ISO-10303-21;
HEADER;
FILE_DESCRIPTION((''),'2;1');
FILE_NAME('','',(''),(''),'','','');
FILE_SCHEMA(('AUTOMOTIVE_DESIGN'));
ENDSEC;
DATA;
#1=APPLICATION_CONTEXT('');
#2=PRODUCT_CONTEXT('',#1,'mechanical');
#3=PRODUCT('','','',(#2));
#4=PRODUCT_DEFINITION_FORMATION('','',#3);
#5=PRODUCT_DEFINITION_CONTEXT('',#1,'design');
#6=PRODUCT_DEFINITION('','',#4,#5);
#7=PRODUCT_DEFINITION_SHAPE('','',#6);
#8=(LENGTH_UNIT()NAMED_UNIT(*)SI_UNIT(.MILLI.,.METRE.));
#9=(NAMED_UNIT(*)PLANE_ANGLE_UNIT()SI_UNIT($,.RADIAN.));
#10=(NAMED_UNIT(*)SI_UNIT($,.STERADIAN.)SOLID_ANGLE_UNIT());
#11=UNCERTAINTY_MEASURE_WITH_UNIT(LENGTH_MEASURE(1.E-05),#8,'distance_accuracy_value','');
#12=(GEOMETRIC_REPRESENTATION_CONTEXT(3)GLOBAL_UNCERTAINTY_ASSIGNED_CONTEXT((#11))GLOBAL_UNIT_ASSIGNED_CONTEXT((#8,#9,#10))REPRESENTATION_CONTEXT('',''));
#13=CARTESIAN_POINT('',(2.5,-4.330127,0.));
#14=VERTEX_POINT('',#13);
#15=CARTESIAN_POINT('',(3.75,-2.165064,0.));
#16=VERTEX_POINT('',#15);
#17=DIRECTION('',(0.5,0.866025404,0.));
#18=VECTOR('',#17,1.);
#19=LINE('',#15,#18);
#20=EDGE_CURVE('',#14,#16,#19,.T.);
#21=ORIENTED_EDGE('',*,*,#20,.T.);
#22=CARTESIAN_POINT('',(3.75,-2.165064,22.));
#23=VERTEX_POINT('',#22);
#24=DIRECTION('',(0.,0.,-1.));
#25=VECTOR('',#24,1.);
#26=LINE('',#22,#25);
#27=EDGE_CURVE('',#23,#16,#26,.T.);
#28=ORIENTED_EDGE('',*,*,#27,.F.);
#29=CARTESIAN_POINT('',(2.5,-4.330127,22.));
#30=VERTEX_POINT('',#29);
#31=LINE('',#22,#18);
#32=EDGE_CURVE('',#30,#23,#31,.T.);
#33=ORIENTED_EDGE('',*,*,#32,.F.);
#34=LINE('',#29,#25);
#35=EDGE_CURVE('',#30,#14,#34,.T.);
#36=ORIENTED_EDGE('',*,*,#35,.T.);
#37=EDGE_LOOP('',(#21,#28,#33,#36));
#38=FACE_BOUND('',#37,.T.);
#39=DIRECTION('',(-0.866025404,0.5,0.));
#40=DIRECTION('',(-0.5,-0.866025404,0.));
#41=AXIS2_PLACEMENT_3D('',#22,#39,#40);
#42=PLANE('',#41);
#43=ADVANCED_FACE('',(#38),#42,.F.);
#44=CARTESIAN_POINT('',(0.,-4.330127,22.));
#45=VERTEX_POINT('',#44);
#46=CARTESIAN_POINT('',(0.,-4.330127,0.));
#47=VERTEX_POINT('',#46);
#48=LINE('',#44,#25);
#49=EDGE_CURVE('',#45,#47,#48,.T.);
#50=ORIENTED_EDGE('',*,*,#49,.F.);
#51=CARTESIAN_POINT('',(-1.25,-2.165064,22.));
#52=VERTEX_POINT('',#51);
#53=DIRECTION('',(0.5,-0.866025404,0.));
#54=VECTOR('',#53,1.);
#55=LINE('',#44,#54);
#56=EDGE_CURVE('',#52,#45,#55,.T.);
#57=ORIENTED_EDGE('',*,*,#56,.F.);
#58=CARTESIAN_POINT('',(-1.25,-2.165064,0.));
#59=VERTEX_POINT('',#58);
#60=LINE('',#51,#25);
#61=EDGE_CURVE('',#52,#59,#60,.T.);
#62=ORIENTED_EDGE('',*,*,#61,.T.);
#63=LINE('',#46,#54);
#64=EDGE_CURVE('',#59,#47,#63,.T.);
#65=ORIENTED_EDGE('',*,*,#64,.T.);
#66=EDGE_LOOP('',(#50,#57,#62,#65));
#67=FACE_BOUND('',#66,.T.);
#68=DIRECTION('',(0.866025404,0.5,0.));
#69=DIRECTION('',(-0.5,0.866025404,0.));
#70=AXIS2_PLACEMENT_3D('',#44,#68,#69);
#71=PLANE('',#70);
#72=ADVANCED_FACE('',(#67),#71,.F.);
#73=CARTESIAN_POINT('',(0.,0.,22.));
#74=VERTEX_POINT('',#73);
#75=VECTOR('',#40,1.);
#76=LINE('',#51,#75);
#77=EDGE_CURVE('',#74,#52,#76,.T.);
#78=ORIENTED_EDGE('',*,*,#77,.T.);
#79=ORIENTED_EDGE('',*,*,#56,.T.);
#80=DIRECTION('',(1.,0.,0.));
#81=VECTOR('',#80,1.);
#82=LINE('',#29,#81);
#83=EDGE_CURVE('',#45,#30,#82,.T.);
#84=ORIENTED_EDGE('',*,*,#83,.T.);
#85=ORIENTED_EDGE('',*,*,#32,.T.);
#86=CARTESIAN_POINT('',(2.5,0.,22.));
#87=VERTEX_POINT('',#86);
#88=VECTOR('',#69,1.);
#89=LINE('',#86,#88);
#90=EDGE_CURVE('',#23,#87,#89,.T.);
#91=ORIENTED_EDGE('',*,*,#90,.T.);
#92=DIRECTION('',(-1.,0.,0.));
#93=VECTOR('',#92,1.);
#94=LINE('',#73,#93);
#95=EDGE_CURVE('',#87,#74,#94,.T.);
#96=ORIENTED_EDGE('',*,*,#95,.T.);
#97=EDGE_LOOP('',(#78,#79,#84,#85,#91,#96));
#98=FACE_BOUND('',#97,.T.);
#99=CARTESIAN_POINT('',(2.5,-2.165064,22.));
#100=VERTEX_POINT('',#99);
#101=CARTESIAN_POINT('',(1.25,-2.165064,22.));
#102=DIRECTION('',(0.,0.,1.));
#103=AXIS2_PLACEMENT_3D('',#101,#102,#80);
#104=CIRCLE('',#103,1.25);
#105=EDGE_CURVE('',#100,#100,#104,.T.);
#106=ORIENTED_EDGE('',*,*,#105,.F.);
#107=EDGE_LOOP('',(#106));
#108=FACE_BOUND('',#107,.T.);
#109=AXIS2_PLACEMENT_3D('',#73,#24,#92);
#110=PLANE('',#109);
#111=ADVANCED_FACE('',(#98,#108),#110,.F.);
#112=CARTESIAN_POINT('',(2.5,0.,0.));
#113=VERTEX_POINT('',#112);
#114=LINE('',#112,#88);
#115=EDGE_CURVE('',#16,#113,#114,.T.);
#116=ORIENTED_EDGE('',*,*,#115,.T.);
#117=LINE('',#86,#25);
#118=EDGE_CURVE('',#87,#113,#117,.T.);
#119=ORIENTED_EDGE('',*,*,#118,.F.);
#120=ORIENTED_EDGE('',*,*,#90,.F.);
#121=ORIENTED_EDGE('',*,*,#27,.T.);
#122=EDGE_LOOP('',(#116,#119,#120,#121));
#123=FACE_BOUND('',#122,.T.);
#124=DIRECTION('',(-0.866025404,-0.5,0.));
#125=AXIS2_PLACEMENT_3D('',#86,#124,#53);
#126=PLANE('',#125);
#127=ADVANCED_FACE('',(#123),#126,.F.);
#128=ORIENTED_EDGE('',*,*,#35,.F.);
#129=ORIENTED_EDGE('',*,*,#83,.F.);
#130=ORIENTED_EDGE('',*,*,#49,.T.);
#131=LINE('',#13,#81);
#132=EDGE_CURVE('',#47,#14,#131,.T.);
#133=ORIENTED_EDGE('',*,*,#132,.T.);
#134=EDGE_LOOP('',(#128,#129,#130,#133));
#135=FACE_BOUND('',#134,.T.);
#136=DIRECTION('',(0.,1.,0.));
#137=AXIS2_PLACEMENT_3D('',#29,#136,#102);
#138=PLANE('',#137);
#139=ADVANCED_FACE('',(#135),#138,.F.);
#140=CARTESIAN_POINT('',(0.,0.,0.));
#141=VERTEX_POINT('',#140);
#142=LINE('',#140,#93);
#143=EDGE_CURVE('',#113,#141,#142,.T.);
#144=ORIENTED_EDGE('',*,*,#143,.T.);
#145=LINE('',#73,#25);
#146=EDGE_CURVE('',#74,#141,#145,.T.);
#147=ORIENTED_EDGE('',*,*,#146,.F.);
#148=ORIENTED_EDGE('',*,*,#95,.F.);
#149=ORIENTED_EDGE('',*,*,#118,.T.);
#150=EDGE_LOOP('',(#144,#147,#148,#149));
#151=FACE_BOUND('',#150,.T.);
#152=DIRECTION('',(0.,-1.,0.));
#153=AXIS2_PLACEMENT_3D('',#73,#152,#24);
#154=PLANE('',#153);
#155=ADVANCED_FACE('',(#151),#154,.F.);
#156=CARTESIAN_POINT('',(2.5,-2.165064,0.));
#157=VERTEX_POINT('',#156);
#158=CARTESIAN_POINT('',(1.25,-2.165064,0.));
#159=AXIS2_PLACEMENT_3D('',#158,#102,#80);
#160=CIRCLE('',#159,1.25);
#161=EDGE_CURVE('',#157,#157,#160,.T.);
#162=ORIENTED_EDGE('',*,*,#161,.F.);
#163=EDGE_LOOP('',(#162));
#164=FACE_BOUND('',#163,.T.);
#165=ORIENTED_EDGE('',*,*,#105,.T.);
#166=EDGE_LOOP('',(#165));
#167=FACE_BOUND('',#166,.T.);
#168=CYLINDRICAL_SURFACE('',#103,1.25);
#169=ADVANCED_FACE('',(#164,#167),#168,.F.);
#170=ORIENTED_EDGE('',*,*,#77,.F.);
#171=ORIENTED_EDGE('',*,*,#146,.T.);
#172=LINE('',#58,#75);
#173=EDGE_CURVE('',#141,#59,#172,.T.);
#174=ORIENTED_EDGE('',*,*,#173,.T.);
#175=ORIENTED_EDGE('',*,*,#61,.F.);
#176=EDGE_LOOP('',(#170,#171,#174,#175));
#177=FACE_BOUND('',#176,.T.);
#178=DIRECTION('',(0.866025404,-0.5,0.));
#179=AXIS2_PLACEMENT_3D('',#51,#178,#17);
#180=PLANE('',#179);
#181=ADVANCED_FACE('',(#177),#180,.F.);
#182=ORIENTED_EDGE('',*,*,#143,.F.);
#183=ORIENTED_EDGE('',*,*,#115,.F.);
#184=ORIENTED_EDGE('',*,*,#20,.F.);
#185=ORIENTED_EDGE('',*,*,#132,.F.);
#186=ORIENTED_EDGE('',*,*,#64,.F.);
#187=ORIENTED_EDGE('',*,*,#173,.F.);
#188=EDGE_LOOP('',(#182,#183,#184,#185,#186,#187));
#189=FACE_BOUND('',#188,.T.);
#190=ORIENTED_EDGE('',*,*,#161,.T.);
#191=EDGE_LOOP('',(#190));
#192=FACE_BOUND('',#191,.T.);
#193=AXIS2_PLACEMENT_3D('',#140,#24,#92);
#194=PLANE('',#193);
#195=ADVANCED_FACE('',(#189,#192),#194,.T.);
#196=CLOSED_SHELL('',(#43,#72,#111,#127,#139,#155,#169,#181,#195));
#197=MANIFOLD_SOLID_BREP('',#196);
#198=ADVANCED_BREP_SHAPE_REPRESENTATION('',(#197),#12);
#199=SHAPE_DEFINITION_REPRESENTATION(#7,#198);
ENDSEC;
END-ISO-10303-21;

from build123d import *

# Parameters (mm, degrees)
EXTRUDE_1_DEPTH    = 22
HOLE_WIZARD_M3_1_D = 2.5


with BuildPart() as part:
    # 草图1 → 凸台-拉伸1 (new body)
    with BuildSketch(Plane.XY):
        Polygon((0, 0), (2.5, 0), (3.75, -2.165063509), (2.5, -4.330127019), (0, -4.330127019), (-1.25, -2.165063509), align=None)
    extrude(amount=EXTRUDE_1_DEPTH)

    # M3 螺纹孔1 (through all)
    with Locations(Plane.XY.offset(22)):
        with Locations((1.25, -2.165063509)):
            Hole(HOLE_WIZARD_M3_1_D / 2)


solid = part.part
